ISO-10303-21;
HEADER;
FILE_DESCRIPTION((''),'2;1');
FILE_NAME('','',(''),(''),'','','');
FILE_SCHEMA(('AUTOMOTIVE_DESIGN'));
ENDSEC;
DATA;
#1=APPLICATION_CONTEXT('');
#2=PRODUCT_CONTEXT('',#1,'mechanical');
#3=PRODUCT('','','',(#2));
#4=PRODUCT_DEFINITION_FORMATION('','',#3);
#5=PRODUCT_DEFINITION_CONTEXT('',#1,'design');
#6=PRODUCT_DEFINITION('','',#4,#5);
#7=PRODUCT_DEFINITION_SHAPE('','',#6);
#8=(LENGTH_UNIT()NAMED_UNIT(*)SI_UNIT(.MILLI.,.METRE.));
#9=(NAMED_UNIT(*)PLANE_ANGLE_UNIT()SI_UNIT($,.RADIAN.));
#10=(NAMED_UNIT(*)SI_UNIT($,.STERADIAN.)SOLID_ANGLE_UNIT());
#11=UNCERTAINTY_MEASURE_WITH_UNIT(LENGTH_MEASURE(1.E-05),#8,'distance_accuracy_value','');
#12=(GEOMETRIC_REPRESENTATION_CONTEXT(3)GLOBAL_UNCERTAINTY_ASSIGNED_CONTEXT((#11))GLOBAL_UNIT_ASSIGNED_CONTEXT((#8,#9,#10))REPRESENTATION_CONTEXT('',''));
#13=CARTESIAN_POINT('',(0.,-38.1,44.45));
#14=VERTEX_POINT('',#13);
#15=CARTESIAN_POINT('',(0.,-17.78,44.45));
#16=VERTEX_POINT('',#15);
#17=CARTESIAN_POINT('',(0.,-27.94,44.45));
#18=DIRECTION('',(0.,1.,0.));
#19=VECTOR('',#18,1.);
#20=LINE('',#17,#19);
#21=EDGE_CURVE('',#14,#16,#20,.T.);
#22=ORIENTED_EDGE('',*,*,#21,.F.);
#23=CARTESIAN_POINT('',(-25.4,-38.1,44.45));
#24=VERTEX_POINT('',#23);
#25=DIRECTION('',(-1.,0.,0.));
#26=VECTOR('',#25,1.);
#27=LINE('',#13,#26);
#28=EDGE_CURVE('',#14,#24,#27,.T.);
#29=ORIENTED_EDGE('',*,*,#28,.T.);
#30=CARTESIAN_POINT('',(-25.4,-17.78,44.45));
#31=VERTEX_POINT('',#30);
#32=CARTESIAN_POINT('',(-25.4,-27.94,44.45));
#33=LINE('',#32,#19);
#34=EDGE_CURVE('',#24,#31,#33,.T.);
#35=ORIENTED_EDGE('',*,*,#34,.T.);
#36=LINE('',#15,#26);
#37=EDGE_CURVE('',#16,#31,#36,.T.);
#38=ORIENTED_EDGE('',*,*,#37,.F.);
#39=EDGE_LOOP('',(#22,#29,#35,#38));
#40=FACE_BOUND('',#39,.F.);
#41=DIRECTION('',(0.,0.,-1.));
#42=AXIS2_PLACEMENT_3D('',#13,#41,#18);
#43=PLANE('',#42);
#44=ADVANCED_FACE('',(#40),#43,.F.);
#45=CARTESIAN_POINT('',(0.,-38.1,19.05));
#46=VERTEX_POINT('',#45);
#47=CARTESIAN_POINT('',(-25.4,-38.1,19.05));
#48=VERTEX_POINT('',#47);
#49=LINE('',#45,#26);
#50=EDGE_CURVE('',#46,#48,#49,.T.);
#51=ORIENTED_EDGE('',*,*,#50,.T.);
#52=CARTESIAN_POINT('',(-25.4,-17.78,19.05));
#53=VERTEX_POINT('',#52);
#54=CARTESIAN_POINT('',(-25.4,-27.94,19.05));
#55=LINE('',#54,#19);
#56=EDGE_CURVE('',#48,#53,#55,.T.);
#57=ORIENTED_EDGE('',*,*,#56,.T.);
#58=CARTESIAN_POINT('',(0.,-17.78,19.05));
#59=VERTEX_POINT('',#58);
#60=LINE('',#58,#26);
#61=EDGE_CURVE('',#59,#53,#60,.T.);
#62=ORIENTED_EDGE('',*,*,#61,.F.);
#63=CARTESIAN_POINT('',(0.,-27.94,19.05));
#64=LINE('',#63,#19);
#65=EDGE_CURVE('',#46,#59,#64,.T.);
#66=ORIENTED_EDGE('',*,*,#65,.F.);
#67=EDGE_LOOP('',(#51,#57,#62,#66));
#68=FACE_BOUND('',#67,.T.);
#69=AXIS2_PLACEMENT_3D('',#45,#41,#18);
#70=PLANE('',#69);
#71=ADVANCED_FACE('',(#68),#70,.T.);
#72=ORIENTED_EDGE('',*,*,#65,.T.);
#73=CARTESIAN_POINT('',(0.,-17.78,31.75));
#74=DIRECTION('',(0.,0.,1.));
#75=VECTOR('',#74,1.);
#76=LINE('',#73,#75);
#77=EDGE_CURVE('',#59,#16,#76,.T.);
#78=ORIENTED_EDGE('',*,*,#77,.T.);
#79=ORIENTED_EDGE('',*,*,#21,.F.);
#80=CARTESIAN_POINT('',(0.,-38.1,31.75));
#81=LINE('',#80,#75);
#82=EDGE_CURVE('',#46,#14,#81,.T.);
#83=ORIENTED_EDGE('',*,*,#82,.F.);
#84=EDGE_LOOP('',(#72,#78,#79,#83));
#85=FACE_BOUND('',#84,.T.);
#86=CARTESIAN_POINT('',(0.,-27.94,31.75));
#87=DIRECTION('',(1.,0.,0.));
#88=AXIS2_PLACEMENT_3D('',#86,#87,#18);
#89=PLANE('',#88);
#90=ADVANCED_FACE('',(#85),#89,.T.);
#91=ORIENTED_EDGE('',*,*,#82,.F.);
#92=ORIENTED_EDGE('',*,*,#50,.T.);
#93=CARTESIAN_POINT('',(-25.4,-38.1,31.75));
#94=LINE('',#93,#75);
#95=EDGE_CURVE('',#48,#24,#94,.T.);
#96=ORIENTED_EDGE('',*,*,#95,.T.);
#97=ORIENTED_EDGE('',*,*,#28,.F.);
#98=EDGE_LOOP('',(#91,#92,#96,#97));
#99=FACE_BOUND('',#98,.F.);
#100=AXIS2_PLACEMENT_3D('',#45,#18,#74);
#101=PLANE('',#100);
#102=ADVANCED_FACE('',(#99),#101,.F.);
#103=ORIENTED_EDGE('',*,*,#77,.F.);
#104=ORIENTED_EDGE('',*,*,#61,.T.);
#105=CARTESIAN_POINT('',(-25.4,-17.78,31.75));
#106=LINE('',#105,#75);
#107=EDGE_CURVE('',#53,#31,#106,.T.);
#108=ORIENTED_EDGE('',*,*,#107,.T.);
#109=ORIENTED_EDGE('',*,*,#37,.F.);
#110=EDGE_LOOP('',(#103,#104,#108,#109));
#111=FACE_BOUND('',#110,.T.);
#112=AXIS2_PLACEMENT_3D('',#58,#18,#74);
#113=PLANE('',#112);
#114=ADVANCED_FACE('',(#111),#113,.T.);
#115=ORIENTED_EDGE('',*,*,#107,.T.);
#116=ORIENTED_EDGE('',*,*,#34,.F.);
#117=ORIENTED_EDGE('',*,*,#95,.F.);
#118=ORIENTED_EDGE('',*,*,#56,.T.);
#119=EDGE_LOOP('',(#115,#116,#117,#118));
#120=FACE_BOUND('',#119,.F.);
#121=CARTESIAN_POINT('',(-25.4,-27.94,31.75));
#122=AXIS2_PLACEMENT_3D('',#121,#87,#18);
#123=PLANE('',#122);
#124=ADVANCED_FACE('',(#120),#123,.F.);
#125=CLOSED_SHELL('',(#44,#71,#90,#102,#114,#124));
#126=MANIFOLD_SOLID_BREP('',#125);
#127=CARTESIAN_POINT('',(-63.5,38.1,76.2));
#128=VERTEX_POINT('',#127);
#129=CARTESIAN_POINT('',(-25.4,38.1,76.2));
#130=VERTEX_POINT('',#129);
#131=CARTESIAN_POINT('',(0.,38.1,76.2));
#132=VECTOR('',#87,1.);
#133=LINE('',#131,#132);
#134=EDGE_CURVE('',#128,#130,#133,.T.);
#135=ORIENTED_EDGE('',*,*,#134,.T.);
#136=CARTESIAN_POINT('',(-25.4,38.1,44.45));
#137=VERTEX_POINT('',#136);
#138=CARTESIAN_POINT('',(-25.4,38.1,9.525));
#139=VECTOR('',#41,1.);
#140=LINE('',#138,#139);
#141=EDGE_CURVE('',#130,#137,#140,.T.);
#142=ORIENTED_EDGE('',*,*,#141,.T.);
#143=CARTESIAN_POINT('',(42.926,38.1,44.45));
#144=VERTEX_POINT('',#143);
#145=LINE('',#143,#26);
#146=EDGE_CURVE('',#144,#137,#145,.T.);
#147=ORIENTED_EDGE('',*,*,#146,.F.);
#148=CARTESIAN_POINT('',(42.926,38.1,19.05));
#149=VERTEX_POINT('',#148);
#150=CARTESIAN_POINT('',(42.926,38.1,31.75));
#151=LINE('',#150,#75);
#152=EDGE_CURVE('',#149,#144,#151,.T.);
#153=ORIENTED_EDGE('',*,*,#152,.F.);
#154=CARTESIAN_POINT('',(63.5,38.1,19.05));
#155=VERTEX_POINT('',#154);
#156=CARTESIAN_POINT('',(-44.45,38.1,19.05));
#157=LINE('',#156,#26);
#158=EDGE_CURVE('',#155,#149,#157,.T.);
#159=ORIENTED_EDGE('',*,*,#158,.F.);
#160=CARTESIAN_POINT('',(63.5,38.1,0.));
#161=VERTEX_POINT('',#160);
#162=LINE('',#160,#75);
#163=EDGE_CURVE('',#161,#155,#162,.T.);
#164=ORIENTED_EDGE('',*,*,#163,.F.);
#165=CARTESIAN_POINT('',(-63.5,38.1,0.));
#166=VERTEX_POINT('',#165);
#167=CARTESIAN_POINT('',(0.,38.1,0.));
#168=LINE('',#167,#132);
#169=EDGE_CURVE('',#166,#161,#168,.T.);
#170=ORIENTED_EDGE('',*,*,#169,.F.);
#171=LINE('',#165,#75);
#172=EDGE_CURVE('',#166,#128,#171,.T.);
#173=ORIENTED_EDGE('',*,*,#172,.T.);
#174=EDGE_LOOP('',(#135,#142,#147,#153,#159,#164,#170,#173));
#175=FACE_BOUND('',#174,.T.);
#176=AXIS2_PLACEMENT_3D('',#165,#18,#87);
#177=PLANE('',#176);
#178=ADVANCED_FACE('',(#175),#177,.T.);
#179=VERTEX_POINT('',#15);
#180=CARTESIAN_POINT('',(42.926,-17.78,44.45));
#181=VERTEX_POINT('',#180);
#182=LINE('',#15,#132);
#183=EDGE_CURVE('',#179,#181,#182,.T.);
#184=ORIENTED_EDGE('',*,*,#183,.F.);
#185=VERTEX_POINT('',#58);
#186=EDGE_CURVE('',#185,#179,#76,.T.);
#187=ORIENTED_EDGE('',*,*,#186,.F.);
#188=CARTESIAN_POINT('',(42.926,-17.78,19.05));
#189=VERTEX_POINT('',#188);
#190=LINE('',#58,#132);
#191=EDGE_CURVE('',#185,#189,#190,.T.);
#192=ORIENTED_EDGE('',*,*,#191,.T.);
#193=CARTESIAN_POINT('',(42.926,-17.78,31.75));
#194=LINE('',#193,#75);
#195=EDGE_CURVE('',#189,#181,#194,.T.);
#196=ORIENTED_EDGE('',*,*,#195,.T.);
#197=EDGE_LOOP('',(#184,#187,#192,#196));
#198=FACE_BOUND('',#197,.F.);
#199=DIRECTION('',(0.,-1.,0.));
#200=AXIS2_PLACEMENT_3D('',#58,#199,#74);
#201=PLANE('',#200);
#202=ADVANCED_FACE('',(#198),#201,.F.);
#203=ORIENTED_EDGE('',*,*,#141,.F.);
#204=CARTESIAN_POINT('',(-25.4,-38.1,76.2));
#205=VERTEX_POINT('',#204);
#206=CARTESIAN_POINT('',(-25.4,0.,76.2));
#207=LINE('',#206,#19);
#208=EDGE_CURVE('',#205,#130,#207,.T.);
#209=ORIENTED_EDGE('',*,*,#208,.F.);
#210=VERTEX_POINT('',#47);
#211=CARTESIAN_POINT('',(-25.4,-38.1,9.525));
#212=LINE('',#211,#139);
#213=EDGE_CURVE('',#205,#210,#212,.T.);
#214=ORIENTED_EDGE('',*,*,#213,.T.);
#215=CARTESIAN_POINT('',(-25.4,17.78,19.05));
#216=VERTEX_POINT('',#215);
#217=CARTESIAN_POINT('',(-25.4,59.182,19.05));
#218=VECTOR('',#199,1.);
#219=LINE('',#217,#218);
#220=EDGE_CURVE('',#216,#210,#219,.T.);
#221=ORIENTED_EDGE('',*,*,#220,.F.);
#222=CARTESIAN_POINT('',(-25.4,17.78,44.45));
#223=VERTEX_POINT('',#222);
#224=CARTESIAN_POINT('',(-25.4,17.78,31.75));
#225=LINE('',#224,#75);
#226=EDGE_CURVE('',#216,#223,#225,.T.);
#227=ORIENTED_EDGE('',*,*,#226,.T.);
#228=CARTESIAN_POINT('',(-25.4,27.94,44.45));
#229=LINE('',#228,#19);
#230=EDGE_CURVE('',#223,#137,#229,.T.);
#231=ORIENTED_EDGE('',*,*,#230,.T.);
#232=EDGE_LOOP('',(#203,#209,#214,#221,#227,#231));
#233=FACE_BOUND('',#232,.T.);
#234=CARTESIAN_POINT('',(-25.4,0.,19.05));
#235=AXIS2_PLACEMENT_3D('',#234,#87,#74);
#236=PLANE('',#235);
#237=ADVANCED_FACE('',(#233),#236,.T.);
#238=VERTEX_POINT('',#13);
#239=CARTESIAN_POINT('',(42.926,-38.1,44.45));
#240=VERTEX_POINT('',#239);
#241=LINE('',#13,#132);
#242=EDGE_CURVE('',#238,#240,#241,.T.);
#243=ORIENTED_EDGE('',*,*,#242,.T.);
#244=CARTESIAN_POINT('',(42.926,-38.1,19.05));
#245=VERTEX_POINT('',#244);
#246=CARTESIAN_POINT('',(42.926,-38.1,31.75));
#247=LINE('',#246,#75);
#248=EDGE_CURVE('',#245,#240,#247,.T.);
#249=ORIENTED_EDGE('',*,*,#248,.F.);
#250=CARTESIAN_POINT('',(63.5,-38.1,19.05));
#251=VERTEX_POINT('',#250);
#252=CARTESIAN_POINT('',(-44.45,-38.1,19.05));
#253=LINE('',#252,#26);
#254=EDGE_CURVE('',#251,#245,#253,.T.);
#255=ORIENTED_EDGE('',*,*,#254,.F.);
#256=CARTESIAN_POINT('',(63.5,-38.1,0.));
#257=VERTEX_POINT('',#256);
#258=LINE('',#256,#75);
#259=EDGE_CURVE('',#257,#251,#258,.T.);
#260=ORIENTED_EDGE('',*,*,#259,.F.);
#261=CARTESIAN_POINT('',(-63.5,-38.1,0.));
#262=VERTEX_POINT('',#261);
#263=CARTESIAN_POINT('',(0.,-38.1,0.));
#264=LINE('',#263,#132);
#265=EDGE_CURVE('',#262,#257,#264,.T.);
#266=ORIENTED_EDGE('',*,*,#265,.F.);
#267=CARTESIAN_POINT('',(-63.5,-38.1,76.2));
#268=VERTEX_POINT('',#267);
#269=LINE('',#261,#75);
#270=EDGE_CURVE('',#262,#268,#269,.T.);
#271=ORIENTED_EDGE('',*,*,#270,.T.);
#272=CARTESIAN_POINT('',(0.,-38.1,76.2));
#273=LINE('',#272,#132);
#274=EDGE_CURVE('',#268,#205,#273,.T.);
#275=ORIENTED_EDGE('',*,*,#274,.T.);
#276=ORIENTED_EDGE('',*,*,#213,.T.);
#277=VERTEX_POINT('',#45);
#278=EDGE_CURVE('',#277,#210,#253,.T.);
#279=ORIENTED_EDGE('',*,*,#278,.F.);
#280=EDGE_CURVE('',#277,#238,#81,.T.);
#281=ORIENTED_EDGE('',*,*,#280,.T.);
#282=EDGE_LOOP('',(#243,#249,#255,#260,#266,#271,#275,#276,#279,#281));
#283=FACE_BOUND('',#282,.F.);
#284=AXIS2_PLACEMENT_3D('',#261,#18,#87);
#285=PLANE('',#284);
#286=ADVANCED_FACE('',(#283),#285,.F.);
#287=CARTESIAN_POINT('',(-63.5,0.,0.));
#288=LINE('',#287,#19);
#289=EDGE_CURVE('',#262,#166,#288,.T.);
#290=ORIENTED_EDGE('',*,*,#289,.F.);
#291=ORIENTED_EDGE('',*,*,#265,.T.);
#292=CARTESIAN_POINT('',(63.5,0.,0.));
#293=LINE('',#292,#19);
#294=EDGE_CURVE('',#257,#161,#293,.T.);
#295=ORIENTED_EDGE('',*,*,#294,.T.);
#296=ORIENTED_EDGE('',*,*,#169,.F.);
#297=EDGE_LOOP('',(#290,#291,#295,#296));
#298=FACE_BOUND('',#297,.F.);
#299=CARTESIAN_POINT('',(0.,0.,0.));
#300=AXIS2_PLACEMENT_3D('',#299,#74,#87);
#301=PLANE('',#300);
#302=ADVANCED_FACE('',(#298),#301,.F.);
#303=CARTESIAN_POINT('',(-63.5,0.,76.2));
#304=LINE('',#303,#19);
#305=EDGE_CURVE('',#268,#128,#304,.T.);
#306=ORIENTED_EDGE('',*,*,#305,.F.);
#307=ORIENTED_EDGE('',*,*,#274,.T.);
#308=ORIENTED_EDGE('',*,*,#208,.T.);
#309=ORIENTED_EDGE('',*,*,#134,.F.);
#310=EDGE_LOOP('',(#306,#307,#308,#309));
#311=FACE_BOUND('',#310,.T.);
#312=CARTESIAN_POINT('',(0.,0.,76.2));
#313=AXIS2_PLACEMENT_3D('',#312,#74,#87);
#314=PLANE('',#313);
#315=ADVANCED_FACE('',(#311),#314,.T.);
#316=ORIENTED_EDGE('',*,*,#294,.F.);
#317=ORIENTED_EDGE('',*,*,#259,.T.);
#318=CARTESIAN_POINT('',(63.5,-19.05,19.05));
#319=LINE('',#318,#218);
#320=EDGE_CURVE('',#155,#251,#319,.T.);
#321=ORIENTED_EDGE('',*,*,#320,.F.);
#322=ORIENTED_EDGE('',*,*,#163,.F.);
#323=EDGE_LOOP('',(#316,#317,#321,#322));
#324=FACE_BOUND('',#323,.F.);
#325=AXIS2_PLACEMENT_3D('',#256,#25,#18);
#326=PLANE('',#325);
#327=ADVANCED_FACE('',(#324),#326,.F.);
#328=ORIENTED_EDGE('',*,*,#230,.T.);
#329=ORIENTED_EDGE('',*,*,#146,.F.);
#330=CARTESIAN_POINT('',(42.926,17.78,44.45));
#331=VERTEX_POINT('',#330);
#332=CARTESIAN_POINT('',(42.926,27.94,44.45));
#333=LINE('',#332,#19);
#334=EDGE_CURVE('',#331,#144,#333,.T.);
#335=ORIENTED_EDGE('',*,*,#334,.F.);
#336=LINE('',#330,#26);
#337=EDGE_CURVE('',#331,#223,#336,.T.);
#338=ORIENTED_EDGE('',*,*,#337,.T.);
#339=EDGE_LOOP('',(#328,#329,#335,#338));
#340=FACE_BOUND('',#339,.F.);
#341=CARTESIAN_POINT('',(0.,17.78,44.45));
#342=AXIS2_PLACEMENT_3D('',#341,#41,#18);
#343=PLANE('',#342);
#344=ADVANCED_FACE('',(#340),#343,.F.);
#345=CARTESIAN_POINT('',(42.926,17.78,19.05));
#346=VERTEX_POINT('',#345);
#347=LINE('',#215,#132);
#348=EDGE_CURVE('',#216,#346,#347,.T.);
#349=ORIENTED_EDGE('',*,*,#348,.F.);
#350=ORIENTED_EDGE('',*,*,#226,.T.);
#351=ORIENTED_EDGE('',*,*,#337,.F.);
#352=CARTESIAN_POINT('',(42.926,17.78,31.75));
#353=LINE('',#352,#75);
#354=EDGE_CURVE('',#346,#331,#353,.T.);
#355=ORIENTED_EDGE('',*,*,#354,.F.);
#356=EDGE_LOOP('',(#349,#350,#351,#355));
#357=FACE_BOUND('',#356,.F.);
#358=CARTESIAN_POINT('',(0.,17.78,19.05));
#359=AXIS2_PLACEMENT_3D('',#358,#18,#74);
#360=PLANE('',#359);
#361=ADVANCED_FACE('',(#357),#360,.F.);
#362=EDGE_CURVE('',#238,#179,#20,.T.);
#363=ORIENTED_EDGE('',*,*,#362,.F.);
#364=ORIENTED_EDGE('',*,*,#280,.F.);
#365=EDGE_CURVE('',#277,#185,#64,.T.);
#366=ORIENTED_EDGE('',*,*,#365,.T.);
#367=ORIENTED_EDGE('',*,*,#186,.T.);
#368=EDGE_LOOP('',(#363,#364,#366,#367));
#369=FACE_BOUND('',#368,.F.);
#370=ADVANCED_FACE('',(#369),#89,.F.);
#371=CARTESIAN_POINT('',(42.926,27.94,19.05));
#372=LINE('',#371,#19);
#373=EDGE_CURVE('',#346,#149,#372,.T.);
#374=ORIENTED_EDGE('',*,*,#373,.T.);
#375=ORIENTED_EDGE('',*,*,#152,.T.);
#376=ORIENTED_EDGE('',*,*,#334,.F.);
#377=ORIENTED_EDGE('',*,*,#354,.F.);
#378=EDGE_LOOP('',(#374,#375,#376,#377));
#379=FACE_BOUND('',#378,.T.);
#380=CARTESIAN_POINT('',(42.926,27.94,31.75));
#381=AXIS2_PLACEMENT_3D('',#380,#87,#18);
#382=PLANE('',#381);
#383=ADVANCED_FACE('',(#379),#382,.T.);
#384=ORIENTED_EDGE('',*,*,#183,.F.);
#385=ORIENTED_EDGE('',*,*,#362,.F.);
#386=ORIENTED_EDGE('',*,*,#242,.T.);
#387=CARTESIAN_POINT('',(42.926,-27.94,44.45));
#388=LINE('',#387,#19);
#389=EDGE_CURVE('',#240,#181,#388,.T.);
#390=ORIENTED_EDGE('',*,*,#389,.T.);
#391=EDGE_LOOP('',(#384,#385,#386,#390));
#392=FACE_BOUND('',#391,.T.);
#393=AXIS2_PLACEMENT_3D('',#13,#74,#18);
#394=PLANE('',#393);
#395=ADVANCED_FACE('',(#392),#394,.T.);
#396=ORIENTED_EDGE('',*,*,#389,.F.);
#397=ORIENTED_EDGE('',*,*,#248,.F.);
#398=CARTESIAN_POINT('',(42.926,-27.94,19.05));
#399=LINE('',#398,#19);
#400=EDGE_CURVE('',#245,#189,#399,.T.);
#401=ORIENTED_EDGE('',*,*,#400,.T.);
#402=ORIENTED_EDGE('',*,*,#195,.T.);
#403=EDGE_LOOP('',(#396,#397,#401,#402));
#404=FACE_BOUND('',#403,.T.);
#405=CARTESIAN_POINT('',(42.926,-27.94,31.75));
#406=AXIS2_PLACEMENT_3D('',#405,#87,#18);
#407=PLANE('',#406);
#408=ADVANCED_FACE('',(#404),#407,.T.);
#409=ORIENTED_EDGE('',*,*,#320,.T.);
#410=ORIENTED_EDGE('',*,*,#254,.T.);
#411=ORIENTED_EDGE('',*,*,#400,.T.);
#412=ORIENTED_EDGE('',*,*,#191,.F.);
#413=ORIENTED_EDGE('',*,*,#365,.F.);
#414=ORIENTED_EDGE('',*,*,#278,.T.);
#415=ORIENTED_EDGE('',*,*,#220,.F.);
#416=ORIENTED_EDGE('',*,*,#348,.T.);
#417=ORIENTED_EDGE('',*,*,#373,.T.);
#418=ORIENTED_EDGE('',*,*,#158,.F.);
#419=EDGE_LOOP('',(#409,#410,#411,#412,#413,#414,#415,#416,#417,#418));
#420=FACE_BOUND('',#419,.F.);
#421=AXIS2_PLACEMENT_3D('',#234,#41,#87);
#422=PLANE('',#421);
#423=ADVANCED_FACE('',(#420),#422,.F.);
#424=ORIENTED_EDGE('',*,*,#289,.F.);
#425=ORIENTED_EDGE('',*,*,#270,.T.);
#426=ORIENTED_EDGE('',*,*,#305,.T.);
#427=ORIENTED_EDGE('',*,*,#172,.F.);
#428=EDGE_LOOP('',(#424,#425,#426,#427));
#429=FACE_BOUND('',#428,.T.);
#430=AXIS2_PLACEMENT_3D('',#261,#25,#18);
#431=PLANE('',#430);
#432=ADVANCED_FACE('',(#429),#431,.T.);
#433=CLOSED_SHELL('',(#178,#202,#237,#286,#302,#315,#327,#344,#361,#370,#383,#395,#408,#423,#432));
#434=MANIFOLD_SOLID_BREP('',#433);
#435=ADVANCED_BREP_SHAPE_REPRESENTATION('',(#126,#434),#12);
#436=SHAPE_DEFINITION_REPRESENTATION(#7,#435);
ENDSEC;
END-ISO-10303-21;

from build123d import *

# Parameters (mm, degrees)
F0_W     = 127
F0_H     = 76.2
F1_DEPTH = 76.2
F2_W     = 151.7542588233
F2_H     = 68.3967312743
F3_DEPTH = 59.182
F4_W     = 20.32
F4_H     = 25.4
F5_DEPTH = 42.926
F6_DEPTH = 25.4
F7_W     = 20.32
F7_H     = 25.4
F8_DEPTH = 42.926
F9_DEPTH = 25.4


with BuildPart() as f1:
    # F0 (on Top) → F1 (new body)
    with BuildSketch(Plane.XY):
        Rectangle(F0_W, F0_H)
    extrude(amount=F1_DEPTH)

    # F2 (on Front) → F3 (cut, symmetric)
    with BuildSketch(Plane.XZ):
        with Locations((50.4771294116, 53.2483656372)):
            Rectangle(F2_W, F2_H)
    extrude(amount=F3_DEPTH, both=True, mode=Mode.SUBTRACT)

    # F4 (on Right) → F5 (join)
    with BuildSketch(Plane.YZ):
        with Locations((-27.94, 31.75)):
            Rectangle(F4_W, F4_H)
    extrude(amount=F5_DEPTH)


with BuildPart() as f6:
    # F6 (new, through all): a face of the model
    f6_faces = [f1.part.faces().sort_by_distance(p)[0] for p in [
        (0, -27.94, 31.75),
    ]]
    extrude(f6_faces, amount=F6_DEPTH)


with BuildPart() as f1_1:
    add(f1.part)

    # F7 (on Right) → F8 (join)
    with BuildSketch(Plane.YZ):
        with Locations((27.94, 31.75)):
            Rectangle(F7_W, F7_H)
    extrude(amount=F8_DEPTH)

    # F9 (add, through all): a face of the model
    f9_faces = [f1_1.faces().sort_by_distance(p)[0] for p in [
        (0, 27.94, 31.75),
    ]]
    extrude(f9_faces, amount=F9_DEPTH)


solid = Compound([f6.part, f1_1.part])
